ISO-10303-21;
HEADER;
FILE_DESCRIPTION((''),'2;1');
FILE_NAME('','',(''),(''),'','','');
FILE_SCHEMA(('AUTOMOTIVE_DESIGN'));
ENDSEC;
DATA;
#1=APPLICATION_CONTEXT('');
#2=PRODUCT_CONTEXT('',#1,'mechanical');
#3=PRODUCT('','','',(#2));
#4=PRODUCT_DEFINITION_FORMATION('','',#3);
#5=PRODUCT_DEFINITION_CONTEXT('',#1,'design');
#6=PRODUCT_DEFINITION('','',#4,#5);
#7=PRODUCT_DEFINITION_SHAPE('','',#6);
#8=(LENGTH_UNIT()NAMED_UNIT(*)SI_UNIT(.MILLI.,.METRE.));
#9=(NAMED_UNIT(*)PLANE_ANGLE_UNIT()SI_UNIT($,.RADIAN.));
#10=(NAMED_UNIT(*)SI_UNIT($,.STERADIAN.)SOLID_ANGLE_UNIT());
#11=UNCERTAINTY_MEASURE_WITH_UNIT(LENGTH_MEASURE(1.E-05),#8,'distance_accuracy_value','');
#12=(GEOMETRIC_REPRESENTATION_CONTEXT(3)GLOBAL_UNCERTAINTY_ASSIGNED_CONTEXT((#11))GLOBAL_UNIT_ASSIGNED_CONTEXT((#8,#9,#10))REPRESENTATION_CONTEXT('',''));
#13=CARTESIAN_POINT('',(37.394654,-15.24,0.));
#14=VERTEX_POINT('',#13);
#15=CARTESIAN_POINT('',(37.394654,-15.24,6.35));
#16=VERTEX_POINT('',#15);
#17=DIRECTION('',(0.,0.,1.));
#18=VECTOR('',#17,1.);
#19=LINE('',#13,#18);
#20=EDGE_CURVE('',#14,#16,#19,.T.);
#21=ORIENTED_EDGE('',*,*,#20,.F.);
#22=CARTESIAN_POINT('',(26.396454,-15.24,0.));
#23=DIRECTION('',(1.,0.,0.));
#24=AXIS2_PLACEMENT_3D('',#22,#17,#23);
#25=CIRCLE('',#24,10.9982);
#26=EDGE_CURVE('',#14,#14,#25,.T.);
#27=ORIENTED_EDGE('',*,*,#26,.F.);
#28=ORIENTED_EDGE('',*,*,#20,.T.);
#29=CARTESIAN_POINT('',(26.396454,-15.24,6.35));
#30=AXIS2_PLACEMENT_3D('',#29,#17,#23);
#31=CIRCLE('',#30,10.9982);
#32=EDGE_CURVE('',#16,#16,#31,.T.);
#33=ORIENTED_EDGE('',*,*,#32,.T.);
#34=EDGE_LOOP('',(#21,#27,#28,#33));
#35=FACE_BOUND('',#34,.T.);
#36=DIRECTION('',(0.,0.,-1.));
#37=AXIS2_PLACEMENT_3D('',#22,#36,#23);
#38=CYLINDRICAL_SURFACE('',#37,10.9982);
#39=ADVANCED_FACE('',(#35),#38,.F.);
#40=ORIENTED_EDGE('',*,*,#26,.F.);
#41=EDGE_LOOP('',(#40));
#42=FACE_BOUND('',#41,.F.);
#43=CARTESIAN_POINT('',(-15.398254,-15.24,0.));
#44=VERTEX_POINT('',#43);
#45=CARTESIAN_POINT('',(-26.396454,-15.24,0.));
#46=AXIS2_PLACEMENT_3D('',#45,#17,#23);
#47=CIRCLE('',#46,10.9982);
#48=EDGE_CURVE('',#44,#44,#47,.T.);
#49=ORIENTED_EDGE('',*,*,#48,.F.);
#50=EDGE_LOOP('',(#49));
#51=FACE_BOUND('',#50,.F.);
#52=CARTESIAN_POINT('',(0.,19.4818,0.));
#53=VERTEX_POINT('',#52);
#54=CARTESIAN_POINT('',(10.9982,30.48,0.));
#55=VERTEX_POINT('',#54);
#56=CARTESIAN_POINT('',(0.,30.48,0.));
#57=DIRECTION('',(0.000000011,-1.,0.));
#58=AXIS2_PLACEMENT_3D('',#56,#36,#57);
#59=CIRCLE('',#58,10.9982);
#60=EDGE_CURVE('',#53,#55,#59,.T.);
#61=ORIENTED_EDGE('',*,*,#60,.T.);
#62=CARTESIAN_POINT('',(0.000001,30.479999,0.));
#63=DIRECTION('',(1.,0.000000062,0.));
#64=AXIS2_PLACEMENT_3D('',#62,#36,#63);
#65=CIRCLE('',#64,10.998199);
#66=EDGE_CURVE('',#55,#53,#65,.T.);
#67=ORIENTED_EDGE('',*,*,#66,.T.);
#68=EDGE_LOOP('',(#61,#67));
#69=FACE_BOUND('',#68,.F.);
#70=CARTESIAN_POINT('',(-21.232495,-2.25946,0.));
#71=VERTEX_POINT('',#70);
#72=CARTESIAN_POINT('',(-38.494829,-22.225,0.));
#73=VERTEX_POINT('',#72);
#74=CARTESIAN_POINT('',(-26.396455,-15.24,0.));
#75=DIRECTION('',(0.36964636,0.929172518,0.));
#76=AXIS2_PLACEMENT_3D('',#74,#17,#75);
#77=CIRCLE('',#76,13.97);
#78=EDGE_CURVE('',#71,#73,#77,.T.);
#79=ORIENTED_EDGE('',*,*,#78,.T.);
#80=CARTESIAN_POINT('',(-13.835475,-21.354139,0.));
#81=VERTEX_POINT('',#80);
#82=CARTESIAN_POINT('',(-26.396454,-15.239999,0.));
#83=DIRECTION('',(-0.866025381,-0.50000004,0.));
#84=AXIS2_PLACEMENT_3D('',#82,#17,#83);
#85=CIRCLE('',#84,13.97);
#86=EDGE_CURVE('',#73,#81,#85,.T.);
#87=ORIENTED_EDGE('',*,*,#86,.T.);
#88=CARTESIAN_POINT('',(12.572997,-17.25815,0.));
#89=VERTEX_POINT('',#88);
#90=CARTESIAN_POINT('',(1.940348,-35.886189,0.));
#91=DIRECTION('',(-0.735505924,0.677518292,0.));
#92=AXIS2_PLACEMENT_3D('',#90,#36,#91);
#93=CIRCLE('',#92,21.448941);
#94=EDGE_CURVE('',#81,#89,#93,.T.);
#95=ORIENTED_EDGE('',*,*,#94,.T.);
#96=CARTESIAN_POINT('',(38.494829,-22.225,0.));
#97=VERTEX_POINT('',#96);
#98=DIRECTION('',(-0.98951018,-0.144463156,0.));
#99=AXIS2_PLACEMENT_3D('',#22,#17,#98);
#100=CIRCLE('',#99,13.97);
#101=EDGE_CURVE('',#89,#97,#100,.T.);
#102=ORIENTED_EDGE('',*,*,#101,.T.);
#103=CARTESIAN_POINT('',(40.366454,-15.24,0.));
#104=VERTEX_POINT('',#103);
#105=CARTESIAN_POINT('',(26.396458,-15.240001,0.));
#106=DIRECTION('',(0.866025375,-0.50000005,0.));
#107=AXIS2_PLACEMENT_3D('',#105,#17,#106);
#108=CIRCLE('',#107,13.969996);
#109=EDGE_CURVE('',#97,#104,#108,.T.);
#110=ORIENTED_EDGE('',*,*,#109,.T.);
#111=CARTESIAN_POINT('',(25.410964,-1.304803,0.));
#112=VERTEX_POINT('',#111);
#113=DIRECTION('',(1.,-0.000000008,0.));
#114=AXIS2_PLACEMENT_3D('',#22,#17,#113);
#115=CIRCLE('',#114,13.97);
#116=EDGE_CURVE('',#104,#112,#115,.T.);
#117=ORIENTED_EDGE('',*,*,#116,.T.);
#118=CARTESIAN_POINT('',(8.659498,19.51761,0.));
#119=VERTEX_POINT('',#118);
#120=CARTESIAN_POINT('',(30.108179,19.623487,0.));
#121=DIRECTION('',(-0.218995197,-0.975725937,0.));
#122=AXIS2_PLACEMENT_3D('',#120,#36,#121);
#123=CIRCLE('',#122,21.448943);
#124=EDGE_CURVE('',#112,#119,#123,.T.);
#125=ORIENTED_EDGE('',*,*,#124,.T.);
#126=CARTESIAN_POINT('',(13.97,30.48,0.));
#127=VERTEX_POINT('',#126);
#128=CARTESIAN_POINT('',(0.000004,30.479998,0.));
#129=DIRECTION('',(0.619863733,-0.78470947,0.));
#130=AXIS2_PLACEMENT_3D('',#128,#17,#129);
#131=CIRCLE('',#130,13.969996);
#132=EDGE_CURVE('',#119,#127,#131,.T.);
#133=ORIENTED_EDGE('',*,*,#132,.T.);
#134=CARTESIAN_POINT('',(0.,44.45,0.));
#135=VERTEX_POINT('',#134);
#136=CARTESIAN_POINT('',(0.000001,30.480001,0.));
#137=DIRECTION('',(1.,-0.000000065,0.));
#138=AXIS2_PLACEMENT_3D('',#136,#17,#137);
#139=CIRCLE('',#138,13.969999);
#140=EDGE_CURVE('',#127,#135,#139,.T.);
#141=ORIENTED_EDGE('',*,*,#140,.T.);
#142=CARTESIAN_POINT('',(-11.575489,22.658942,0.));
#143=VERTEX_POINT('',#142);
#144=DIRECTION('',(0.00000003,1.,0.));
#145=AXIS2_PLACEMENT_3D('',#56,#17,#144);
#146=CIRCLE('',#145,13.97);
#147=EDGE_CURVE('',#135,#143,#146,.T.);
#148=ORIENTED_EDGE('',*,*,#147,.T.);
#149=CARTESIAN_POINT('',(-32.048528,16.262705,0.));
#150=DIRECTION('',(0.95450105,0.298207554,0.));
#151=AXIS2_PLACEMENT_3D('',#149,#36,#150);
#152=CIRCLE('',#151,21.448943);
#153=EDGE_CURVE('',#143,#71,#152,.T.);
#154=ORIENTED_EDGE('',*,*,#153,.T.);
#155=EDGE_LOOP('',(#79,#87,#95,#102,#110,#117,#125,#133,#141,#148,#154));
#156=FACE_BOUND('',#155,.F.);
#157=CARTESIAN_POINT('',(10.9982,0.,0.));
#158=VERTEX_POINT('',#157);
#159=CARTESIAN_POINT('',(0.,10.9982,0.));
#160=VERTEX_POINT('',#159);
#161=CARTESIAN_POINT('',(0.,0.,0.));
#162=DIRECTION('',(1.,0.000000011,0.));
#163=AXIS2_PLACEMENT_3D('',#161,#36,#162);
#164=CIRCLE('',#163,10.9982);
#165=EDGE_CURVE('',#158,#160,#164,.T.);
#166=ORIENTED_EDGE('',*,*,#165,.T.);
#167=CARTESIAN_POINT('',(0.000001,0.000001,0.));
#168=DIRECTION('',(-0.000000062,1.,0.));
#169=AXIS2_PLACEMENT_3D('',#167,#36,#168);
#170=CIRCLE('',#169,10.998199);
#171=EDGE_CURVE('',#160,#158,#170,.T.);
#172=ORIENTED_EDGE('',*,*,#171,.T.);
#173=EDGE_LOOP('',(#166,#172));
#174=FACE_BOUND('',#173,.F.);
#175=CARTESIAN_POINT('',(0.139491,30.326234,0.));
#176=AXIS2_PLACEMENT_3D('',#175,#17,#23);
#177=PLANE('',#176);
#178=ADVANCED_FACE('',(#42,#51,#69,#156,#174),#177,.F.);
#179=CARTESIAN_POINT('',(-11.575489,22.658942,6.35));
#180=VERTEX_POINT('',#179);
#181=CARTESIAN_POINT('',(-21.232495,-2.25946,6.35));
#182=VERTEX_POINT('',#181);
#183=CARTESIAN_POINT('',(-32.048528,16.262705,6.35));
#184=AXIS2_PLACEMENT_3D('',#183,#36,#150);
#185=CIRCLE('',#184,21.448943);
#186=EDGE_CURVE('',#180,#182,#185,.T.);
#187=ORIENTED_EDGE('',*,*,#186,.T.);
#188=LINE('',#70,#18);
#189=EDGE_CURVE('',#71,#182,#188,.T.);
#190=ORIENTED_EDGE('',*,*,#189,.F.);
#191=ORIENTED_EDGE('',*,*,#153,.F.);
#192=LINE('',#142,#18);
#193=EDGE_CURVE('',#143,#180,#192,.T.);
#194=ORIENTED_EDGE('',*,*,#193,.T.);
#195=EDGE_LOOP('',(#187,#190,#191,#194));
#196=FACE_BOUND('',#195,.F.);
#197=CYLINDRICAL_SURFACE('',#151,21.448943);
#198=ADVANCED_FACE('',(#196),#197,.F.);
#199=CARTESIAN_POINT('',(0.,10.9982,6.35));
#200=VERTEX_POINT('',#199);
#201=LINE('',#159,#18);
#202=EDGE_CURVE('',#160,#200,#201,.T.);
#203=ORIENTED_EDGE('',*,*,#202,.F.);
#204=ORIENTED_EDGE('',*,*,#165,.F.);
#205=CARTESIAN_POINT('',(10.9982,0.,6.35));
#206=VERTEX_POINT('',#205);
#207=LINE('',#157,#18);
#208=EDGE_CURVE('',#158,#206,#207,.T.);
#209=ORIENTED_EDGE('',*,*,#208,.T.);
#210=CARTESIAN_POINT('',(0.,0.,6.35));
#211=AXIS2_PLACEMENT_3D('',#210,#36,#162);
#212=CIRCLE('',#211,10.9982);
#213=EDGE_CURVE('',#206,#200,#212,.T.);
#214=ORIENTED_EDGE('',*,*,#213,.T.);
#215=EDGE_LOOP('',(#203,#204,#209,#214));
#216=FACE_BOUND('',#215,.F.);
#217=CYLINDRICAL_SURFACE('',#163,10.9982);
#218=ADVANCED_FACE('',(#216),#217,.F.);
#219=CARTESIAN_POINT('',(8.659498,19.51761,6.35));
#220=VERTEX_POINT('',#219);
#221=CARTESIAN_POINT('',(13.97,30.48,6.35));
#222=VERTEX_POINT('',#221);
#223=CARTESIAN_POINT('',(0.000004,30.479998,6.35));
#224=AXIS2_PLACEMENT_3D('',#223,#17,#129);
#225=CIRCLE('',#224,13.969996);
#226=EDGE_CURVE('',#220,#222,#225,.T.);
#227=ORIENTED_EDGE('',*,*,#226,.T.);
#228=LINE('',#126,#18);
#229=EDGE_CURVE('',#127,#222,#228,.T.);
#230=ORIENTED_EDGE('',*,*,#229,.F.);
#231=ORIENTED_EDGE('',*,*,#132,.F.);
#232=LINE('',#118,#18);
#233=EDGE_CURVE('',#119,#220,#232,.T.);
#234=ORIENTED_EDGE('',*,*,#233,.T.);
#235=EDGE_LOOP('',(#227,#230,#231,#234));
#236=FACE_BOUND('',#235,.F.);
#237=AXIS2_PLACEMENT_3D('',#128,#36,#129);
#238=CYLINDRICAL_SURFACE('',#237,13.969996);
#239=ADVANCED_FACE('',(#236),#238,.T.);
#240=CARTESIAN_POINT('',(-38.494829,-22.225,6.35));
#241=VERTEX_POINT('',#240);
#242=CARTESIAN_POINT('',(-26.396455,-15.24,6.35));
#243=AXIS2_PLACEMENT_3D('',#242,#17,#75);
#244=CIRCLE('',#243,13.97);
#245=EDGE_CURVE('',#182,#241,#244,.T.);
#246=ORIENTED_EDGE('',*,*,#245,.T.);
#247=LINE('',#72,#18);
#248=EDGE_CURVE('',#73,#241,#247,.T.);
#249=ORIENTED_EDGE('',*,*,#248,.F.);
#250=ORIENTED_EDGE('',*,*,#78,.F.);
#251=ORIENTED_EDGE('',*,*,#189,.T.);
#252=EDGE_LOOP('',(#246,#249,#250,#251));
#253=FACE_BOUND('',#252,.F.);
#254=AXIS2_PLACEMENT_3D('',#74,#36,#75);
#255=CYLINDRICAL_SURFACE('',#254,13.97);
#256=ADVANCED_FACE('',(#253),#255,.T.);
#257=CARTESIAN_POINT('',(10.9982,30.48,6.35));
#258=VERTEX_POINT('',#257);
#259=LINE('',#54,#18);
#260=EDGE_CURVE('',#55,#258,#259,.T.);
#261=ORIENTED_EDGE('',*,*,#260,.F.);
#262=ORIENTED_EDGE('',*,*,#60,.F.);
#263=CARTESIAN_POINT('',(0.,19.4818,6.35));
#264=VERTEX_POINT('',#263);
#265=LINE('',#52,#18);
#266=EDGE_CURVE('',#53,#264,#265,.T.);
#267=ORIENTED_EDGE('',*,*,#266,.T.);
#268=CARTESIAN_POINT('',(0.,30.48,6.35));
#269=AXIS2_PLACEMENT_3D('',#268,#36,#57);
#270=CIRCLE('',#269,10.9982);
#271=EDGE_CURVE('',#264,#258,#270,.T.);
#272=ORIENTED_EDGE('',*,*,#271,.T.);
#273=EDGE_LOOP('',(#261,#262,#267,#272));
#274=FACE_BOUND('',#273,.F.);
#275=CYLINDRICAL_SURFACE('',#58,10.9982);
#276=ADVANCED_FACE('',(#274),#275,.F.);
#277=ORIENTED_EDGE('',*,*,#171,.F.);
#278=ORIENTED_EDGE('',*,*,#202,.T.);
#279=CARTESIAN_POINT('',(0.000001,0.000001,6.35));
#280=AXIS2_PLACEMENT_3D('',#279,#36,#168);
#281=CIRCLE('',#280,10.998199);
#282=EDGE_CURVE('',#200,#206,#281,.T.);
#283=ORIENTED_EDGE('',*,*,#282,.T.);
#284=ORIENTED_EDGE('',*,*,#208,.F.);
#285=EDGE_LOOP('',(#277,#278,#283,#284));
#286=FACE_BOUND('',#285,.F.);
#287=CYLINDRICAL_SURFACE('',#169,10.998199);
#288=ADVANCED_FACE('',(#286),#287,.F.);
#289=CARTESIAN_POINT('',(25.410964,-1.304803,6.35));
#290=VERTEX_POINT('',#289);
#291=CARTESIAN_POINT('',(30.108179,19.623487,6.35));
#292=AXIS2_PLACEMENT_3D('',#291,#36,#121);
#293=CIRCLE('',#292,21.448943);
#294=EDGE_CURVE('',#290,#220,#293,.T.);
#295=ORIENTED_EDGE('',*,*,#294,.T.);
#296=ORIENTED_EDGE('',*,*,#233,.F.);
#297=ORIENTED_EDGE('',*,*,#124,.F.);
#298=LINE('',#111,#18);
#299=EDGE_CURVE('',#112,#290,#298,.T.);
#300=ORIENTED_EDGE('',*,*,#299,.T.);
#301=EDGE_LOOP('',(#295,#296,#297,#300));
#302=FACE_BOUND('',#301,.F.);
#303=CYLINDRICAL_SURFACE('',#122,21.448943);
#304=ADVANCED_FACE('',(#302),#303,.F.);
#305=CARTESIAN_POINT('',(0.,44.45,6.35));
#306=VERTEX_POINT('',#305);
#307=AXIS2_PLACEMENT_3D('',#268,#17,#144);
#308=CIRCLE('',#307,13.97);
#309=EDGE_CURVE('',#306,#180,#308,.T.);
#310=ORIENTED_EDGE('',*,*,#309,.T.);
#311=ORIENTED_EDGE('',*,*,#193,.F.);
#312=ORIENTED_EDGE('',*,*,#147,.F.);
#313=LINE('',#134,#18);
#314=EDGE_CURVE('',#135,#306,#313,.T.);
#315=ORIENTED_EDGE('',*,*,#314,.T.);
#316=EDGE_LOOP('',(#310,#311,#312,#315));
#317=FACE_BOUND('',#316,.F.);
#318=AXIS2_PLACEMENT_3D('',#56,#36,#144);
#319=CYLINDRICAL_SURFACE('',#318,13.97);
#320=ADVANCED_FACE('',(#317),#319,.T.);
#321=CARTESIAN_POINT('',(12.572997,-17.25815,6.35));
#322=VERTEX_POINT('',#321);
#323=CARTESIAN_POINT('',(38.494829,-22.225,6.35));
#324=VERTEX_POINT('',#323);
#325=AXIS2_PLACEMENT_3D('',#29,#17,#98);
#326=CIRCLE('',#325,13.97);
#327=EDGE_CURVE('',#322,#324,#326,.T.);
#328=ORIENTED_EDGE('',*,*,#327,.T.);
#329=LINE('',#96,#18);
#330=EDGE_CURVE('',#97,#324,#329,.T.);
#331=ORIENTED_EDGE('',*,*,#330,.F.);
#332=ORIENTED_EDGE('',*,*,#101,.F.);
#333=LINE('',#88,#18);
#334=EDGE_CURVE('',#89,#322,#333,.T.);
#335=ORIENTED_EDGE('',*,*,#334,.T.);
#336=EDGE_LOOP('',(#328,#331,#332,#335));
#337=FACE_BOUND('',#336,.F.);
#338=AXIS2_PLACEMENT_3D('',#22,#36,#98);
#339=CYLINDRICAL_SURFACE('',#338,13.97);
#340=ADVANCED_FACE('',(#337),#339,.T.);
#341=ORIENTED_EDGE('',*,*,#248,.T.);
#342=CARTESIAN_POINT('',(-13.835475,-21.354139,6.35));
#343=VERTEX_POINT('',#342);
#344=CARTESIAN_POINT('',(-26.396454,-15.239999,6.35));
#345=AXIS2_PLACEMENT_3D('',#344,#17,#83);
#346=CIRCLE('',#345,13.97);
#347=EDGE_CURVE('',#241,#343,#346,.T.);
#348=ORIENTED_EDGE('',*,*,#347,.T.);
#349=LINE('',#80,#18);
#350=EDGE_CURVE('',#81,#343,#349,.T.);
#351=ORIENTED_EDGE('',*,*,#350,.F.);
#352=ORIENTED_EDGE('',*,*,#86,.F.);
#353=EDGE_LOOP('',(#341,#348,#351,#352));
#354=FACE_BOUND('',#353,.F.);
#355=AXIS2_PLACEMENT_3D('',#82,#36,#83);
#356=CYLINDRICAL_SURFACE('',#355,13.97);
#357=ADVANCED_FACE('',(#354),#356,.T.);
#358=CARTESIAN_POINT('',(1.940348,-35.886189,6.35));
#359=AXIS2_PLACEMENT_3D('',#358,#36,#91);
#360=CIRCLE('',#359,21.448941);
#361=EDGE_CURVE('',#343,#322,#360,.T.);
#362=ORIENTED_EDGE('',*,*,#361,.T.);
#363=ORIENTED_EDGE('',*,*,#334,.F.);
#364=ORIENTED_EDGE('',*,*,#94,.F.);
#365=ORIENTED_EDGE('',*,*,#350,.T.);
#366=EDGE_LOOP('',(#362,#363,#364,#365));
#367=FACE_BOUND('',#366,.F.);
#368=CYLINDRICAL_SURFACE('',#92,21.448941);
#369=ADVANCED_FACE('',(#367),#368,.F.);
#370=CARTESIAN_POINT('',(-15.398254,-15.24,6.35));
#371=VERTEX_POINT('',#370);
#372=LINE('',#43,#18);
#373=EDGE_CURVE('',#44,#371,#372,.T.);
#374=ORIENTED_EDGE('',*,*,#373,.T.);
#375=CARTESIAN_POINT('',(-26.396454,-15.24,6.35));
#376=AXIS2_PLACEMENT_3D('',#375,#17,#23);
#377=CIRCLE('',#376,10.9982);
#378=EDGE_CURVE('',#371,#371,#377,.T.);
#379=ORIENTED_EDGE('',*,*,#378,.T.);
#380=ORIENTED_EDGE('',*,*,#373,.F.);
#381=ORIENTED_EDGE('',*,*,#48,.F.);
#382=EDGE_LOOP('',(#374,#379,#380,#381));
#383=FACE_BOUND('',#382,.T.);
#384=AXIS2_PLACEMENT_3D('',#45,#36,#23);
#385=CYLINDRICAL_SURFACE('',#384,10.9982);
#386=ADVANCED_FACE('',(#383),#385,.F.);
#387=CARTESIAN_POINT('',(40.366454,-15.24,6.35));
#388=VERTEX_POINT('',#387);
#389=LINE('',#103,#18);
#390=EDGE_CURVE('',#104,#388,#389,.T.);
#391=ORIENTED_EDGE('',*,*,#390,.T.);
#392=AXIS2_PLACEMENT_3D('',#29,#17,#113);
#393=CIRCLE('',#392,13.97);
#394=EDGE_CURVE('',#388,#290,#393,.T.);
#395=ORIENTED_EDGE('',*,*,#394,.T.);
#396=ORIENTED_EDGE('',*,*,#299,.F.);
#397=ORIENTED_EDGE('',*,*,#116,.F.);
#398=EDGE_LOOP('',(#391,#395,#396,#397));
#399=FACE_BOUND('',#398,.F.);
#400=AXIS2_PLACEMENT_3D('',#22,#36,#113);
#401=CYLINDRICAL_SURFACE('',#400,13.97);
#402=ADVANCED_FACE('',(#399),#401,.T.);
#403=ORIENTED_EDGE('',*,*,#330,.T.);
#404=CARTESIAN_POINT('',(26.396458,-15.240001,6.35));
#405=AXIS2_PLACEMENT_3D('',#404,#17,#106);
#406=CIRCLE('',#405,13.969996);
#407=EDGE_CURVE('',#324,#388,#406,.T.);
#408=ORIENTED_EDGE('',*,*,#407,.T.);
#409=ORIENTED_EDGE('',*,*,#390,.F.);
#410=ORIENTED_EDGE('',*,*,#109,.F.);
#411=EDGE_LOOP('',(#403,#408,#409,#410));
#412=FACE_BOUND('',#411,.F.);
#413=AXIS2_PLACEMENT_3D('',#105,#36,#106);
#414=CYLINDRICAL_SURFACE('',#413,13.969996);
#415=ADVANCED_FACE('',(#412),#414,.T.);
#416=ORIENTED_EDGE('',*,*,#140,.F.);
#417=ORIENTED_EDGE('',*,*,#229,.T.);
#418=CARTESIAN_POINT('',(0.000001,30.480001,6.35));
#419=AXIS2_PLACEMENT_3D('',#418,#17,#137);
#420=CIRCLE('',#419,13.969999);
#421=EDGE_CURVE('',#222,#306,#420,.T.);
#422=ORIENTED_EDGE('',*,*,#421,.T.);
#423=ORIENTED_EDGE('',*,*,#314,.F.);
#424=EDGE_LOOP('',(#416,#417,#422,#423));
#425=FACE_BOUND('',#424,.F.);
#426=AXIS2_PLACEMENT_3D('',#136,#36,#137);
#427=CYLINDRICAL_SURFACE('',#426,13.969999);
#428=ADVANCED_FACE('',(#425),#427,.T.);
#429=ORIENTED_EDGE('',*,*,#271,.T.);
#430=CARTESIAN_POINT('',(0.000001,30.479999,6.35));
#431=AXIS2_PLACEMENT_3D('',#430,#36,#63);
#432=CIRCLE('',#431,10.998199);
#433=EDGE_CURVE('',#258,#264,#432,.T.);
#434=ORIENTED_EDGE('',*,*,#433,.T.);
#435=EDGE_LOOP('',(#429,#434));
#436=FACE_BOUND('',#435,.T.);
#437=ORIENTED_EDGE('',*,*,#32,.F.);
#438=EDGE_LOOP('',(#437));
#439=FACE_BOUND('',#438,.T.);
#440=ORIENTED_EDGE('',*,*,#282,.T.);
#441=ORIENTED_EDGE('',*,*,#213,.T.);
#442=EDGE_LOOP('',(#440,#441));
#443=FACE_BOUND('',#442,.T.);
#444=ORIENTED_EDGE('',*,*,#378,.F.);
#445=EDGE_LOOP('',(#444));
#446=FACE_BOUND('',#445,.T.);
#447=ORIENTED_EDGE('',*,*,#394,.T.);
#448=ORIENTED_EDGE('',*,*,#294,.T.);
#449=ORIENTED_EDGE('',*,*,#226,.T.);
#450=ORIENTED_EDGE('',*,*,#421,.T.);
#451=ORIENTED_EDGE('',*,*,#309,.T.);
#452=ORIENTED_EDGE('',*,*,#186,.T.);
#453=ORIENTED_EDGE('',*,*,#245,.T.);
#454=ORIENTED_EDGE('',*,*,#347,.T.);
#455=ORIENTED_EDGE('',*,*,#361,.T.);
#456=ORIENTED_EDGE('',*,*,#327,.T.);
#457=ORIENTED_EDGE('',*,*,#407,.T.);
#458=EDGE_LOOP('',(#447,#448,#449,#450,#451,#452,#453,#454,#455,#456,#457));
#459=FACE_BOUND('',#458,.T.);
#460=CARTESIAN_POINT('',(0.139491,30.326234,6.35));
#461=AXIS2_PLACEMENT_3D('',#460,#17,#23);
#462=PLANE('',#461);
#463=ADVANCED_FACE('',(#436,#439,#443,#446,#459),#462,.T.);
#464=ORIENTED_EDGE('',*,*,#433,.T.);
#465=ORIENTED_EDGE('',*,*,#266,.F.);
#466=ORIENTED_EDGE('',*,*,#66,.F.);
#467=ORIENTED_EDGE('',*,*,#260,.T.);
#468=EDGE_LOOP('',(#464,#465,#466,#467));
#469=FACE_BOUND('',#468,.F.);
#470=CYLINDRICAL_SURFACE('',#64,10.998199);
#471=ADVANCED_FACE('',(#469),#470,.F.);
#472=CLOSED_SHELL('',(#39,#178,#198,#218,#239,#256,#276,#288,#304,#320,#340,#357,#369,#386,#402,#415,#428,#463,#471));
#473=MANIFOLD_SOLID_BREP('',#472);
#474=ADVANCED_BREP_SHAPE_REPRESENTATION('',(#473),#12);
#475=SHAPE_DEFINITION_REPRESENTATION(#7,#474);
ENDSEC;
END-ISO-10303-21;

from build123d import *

# Parameters (mm, degrees)
F0_R     = 10.9982
F1_DEPTH = 6.35


with BuildPart() as f1:
    # F0 (on Top) → F1 (new body)
    with BuildSketch(Plane.XY):
        with BuildLine():
            ThreePointArc((13.97, 30.48), (9.878282, 40.358282), (0, 44.45))
            ThreePointArc((0, 44.45), (-12.337364, 37.033652), (-11.575489, 22.658942))
            ThreePointArc((-11.575489, 22.658942), (-6.553652, 18.142636), (0, 16.51))
            ThreePointArc((0, 16.51), (4.583465, 17.283306), (8.659498, 19.51761))
            ThreePointArc((8.659498, 19.51761), (12.572472, 24.389527), (13.97, 30.48))
        make_face()
        with BuildLine():
            ThreePointArc((10.9982, 30.48), (7.776902, 22.703098), (0, 19.4818))
            ThreePointArc((0, 19.4818), (-7.776902, 38.256902), (10.9982, 30.48))
        make_face(mode=Mode.SUBTRACT)
        with BuildLine():
            ThreePointArc((-21.232495, -2.25946), (-36.964199, -6.10306), (-38.494829, -22.225))
            ThreePointArc((-38.494829, -22.225), (-25.903402, -29.201296), (-13.835475, -21.354139))
            ThreePointArc((-13.835475, -21.354139), (-12.783266, -18.377197), (-12.426454, -15.24))
            ThreePointArc((-12.426454, -15.24), (-14.835714, -7.397157), (-21.232495, -2.25946))
        make_face()
        with Locations((-26.396454, -15.24)):
            Circle(F0_R, mode=Mode.SUBTRACT)
        with BuildLine():
            ThreePointArc((12.572997, -17.25815), (23.767504, -28.960405), (38.494829, -22.225))
            ThreePointArc((38.494829, -22.225), (39.890438, -18.855702), (40.366454, -15.24))
            ThreePointArc((40.366454, -15.24), (35.919941, -5.019232), (25.410964, -1.304803))
            ThreePointArc((25.410964, -1.304803), (15.512818, -6.481727), (12.572997, -17.25815))
        make_face()
        with Locations((26.396454, -15.24)):
            Circle(F0_R, mode=Mode.SUBTRACT)
        with BuildLine():
            ThreePointArc((0, 16.51), (-6.553652, 18.142636), (-11.575489, 22.658942))
            ThreePointArc((-11.575489, 22.658942), (-12.048948, 8.511965), (-21.232495, -2.25946))
            ThreePointArc((-21.232495, -2.25946), (-14.835714, -7.397157), (-12.426454, -15.24))
            ThreePointArc((-12.426454, -15.24), (-12.783266, -18.377197), (-13.835475, -21.354139))
            ThreePointArc((-13.835475, -21.354139), (-1.347104, -14.690677), (12.572997, -17.25815))
            ThreePointArc((12.572997, -17.25815), (15.512818, -6.481727), (25.410964, -1.304803))
            ThreePointArc((25.410964, -1.304803), (13.396052, 6.178713), (8.659498, 19.51761))
            ThreePointArc((8.659498, 19.51761), (4.583465, 17.283306), (0, 16.51))
        make_face()
        with BuildLine():
            ThreePointArc((13.97, 0), (-9.878282, -9.878282), (0, 13.97))
            ThreePointArc((0, 13.97), (9.878282, 9.878282), (13.97, 0))
        make_face(mode=Mode.SUBTRACT)
        with BuildLine():
            ThreePointArc((13.97, 0), (9.878282, 9.878282), (0, 13.97))
            ThreePointArc((0, 13.97), (-9.878282, -9.878282), (13.97, 0))
        make_face()
        with BuildLine():
            ThreePointArc((10.9982, 0), (-7.776902, -7.776902), (0, 10.9982))
            ThreePointArc((0, 10.9982), (7.776902, 7.776902), (10.9982, 0))
        make_face(mode=Mode.SUBTRACT)
    extrude(amount=F1_DEPTH)


solid = f1.part
